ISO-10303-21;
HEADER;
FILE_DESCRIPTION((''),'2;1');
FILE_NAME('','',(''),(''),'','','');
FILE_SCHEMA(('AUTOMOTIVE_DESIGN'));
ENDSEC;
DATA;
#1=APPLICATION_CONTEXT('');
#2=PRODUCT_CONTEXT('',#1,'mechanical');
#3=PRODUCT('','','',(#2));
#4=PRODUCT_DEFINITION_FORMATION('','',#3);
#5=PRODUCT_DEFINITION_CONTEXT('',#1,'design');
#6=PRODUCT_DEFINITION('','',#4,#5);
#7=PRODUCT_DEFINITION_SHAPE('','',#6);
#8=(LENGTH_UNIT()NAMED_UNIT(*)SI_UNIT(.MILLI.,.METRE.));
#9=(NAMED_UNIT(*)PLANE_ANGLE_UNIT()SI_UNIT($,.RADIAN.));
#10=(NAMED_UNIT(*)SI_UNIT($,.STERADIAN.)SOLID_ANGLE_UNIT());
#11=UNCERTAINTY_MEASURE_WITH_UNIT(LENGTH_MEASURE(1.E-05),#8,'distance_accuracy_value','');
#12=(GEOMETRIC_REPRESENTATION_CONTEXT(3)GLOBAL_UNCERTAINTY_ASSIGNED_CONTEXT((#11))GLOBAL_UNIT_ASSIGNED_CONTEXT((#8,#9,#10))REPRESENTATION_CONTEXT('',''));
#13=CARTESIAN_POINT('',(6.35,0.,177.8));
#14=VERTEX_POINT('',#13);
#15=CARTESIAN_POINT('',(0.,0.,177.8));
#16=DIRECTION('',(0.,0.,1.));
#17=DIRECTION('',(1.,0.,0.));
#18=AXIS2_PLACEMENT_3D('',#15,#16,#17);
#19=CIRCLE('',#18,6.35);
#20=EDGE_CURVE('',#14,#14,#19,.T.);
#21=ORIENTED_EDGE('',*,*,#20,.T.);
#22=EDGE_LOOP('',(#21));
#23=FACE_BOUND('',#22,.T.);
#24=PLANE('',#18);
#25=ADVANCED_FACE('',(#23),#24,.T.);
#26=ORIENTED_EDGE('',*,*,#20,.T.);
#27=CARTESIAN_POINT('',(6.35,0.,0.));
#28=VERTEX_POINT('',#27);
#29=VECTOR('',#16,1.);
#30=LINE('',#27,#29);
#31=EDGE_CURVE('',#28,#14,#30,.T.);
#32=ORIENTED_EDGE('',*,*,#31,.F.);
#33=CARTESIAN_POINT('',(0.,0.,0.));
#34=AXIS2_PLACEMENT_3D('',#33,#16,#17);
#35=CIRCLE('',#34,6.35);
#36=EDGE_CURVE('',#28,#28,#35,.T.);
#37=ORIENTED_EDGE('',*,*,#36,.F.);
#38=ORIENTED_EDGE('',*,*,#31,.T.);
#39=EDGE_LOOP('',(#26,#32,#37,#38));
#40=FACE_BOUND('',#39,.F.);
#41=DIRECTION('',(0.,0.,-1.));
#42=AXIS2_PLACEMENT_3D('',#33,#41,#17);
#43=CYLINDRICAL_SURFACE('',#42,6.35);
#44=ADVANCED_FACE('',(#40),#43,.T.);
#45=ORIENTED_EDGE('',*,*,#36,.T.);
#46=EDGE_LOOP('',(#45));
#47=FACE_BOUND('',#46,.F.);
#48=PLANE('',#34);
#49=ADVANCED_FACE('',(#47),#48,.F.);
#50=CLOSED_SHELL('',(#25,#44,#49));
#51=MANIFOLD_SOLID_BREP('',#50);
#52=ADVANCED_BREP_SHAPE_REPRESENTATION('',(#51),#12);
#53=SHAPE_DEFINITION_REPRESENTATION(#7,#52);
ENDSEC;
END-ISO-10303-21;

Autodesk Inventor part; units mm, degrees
ref_plane "YZ Plane" through (0, 0, 0) normal (1, 0, 0) x (0, 1, 0)
ref_plane "XZ Plane" through (0, 0, 0) normal (0, 1, 0) x (-1, 0, 0)
ref_plane "XY Plane" through (0, 0, 0) normal (0, 0, 1) x (1, 0, 0)
sketch "Sketch1" plane through (0, 0, 0) normal (0, 0, 1) x (1, 0, 0)
  circle A0 centre (0, 0) radius 6.35
  dimension "d0" = 12.7
extrude "Extrusion1" add sketch "Sketch1" along normal blind 177.8
properties part number "Steel Shaft 2" material "Steel"
